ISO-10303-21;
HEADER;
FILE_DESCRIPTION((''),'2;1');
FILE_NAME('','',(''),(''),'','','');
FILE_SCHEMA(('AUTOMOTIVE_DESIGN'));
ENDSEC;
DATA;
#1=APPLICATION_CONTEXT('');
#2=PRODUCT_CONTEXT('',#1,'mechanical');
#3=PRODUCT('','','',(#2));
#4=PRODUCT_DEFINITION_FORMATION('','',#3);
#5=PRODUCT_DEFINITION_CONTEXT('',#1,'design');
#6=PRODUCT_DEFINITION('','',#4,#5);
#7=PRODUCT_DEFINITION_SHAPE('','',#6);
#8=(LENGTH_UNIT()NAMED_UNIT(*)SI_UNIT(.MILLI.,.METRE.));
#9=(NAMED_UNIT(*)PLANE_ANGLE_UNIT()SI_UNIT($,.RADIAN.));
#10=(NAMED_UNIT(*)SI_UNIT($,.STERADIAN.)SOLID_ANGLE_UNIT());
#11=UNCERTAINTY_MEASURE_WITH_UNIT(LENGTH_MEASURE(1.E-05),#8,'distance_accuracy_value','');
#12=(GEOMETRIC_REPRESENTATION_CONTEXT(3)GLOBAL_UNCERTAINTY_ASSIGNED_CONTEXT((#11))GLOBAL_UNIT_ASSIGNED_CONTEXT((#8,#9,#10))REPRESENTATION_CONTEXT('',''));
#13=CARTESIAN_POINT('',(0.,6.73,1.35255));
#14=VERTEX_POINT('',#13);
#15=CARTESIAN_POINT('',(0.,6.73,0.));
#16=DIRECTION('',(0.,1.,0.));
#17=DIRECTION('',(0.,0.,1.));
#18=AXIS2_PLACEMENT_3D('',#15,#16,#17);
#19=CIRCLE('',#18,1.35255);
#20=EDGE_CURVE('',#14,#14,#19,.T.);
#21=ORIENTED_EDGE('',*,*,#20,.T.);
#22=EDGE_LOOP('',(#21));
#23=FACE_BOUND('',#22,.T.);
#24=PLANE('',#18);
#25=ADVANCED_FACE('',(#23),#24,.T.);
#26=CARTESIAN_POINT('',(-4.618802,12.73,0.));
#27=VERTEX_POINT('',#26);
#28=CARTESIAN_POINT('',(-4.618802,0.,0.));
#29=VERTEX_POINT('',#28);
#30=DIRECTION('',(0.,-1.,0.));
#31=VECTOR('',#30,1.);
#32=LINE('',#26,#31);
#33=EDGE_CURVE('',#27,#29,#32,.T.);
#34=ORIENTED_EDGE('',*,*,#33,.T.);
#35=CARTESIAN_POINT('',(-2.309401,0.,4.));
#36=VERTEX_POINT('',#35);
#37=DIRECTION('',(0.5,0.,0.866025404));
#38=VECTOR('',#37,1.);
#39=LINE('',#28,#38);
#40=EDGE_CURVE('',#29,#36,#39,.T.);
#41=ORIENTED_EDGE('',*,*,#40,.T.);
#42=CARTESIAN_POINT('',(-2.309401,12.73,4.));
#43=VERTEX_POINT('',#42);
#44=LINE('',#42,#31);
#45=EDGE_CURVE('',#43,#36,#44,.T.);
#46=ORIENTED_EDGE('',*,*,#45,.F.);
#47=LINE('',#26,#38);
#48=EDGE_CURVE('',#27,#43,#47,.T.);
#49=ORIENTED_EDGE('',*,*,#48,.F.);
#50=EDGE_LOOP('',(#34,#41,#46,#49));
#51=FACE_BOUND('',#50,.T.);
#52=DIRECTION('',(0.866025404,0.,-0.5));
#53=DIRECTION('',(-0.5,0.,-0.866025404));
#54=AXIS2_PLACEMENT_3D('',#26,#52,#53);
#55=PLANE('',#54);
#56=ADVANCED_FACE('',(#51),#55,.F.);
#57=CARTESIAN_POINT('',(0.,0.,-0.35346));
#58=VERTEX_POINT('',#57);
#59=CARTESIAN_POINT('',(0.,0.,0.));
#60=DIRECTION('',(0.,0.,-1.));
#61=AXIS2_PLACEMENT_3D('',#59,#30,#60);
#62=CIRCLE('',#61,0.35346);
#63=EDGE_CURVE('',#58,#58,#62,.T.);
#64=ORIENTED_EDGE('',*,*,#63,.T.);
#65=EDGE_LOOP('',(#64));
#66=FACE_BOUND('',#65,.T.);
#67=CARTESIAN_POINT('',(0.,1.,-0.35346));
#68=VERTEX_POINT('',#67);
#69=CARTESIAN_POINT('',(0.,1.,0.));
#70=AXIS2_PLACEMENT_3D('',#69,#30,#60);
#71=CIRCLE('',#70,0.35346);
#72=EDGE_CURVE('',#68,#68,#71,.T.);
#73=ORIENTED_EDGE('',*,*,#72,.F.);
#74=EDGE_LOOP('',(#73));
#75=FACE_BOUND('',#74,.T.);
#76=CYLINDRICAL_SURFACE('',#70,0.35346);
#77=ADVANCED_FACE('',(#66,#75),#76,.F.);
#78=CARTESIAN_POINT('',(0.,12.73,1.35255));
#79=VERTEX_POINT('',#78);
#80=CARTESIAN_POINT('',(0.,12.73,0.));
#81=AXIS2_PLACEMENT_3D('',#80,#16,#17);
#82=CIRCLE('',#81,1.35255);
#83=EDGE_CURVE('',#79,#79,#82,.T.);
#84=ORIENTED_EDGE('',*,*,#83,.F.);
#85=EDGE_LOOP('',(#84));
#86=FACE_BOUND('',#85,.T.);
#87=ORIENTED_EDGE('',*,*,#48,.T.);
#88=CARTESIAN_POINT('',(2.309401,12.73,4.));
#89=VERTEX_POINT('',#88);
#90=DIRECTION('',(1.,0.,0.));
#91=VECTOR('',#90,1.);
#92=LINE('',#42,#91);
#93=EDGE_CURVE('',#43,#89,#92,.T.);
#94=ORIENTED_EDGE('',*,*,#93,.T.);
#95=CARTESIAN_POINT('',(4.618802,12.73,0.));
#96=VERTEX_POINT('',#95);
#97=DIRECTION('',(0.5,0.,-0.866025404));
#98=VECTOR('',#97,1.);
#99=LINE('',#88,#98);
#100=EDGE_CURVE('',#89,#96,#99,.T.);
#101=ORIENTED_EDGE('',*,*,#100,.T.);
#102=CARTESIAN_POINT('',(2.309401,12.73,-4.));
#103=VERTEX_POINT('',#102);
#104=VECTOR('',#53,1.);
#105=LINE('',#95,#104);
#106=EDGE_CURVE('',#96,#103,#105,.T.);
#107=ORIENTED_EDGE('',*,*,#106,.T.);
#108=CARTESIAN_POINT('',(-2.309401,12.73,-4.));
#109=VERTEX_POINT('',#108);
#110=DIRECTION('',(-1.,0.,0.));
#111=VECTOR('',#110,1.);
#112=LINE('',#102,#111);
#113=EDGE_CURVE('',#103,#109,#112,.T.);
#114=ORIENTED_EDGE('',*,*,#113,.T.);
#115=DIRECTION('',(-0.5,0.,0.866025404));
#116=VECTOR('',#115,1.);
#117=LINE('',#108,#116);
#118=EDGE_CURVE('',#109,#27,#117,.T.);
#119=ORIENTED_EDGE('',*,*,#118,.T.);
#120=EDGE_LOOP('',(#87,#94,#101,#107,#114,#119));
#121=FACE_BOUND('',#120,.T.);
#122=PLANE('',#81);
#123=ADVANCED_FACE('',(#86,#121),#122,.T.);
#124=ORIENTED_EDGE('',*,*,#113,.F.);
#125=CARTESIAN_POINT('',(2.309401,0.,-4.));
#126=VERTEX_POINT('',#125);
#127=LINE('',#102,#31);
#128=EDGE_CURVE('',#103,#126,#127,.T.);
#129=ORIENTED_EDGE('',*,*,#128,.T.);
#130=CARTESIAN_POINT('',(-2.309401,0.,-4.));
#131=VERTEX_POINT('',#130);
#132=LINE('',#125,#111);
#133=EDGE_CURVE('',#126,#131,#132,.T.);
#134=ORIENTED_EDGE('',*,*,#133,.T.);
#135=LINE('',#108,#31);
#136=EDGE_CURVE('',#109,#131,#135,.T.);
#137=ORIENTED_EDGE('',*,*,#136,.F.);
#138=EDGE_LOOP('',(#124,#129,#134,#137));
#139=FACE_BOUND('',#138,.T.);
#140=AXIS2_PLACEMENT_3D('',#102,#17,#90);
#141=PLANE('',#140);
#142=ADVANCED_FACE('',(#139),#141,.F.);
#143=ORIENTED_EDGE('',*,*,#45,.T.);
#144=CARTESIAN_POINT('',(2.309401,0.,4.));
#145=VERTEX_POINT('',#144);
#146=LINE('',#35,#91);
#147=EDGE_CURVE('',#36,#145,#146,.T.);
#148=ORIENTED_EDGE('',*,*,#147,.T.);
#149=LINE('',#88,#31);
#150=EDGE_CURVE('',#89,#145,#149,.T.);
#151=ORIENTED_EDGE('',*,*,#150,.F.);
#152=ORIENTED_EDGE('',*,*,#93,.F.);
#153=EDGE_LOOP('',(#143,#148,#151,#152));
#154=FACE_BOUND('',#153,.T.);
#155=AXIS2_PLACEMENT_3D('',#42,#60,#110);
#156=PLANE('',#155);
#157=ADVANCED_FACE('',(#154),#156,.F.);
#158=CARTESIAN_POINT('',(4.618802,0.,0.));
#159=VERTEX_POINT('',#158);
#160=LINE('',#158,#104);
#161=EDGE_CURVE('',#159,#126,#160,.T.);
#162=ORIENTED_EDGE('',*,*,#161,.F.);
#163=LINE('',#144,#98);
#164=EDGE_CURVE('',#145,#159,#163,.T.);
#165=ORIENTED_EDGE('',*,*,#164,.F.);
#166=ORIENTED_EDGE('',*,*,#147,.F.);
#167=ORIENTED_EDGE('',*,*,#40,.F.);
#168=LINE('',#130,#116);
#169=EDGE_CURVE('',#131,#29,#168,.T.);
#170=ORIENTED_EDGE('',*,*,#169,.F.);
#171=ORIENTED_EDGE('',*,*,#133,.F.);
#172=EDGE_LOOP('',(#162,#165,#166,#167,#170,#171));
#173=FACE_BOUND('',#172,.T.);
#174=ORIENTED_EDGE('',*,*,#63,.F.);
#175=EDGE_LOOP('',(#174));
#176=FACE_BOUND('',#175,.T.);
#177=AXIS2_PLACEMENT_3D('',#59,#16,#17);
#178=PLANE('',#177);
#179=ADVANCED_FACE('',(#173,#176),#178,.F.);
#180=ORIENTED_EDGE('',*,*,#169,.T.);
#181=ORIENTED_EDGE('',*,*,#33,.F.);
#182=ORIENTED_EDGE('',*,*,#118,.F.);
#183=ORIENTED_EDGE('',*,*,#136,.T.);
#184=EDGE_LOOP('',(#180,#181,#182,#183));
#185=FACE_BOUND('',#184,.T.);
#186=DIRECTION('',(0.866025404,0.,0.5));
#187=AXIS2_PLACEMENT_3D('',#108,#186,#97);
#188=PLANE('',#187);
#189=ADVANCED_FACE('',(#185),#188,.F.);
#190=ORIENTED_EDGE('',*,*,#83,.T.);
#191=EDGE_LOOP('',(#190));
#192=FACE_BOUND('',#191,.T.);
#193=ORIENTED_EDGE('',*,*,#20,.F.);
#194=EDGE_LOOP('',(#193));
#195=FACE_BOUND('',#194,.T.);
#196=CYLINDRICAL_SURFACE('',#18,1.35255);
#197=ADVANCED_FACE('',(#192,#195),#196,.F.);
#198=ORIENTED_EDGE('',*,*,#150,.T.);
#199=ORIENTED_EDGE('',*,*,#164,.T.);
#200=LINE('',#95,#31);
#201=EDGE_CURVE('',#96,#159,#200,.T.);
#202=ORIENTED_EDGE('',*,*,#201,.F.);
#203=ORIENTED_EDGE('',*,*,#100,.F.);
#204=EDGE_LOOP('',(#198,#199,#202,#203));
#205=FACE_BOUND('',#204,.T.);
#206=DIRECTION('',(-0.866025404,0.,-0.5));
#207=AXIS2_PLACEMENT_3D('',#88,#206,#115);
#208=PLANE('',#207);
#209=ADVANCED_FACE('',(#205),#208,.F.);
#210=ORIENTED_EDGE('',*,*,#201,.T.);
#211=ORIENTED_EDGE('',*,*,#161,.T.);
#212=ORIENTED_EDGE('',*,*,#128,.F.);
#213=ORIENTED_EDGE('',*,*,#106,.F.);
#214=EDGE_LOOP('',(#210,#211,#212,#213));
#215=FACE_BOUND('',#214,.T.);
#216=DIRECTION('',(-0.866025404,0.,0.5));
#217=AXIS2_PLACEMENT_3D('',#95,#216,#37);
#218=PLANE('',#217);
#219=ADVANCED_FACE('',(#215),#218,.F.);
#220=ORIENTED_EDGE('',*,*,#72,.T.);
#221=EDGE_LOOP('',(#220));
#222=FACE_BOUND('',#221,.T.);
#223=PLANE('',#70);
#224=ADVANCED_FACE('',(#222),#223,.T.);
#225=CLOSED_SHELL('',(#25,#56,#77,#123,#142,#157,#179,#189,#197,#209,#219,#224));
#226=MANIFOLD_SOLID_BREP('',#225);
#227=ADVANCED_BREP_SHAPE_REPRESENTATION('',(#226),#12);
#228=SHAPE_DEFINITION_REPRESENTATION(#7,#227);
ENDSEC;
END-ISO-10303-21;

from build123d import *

# Parameters (mm, degrees)
BOSS_EXTRUDE1_DEPTH = 12.73
SKETCH3_R           = 1.35255
CUT_EXTRUDE1_DEPTH  = 6
SKETCH4_R           = 0.353459893
CUT_EXTRUDE2_DEPTH  = 1


with BuildPart() as part:
    # Sketch1 → Boss-Extrude1 (new body)
    with BuildSketch(Plane(origin=(0, 0, 0), x_dir=(1, 0, 0), z_dir=(0, 1, 0))):
        Polygon((-4.618802154, 0), (-2.309401077, -4), (2.309401077, -4), (4.618802154, 0), (2.309401077, 4), (-2.309401077, 4), align=None)
    extrude(amount=BOSS_EXTRUDE1_DEPTH)

    # Sketch3 → Cut-Extrude1 (cut)
    with BuildSketch(Plane(origin=(0, 12.73, 0), x_dir=(1, 0, 0), z_dir=(0, 1, 0))):
        with Locations(Location((0, 0, 0), (0, 0, 270))):
            Circle(SKETCH3_R)
    extrude(amount=-CUT_EXTRUDE1_DEPTH, mode=Mode.SUBTRACT)

    # Sketch4 → Cut-Extrude2 (cut)
    with BuildSketch(Plane.XZ):
        with Locations(Location((0, 0, 0), (0, 0, 270))):
            Circle(SKETCH4_R)
    extrude(amount=-CUT_EXTRUDE2_DEPTH, mode=Mode.SUBTRACT)


solid = part.part
